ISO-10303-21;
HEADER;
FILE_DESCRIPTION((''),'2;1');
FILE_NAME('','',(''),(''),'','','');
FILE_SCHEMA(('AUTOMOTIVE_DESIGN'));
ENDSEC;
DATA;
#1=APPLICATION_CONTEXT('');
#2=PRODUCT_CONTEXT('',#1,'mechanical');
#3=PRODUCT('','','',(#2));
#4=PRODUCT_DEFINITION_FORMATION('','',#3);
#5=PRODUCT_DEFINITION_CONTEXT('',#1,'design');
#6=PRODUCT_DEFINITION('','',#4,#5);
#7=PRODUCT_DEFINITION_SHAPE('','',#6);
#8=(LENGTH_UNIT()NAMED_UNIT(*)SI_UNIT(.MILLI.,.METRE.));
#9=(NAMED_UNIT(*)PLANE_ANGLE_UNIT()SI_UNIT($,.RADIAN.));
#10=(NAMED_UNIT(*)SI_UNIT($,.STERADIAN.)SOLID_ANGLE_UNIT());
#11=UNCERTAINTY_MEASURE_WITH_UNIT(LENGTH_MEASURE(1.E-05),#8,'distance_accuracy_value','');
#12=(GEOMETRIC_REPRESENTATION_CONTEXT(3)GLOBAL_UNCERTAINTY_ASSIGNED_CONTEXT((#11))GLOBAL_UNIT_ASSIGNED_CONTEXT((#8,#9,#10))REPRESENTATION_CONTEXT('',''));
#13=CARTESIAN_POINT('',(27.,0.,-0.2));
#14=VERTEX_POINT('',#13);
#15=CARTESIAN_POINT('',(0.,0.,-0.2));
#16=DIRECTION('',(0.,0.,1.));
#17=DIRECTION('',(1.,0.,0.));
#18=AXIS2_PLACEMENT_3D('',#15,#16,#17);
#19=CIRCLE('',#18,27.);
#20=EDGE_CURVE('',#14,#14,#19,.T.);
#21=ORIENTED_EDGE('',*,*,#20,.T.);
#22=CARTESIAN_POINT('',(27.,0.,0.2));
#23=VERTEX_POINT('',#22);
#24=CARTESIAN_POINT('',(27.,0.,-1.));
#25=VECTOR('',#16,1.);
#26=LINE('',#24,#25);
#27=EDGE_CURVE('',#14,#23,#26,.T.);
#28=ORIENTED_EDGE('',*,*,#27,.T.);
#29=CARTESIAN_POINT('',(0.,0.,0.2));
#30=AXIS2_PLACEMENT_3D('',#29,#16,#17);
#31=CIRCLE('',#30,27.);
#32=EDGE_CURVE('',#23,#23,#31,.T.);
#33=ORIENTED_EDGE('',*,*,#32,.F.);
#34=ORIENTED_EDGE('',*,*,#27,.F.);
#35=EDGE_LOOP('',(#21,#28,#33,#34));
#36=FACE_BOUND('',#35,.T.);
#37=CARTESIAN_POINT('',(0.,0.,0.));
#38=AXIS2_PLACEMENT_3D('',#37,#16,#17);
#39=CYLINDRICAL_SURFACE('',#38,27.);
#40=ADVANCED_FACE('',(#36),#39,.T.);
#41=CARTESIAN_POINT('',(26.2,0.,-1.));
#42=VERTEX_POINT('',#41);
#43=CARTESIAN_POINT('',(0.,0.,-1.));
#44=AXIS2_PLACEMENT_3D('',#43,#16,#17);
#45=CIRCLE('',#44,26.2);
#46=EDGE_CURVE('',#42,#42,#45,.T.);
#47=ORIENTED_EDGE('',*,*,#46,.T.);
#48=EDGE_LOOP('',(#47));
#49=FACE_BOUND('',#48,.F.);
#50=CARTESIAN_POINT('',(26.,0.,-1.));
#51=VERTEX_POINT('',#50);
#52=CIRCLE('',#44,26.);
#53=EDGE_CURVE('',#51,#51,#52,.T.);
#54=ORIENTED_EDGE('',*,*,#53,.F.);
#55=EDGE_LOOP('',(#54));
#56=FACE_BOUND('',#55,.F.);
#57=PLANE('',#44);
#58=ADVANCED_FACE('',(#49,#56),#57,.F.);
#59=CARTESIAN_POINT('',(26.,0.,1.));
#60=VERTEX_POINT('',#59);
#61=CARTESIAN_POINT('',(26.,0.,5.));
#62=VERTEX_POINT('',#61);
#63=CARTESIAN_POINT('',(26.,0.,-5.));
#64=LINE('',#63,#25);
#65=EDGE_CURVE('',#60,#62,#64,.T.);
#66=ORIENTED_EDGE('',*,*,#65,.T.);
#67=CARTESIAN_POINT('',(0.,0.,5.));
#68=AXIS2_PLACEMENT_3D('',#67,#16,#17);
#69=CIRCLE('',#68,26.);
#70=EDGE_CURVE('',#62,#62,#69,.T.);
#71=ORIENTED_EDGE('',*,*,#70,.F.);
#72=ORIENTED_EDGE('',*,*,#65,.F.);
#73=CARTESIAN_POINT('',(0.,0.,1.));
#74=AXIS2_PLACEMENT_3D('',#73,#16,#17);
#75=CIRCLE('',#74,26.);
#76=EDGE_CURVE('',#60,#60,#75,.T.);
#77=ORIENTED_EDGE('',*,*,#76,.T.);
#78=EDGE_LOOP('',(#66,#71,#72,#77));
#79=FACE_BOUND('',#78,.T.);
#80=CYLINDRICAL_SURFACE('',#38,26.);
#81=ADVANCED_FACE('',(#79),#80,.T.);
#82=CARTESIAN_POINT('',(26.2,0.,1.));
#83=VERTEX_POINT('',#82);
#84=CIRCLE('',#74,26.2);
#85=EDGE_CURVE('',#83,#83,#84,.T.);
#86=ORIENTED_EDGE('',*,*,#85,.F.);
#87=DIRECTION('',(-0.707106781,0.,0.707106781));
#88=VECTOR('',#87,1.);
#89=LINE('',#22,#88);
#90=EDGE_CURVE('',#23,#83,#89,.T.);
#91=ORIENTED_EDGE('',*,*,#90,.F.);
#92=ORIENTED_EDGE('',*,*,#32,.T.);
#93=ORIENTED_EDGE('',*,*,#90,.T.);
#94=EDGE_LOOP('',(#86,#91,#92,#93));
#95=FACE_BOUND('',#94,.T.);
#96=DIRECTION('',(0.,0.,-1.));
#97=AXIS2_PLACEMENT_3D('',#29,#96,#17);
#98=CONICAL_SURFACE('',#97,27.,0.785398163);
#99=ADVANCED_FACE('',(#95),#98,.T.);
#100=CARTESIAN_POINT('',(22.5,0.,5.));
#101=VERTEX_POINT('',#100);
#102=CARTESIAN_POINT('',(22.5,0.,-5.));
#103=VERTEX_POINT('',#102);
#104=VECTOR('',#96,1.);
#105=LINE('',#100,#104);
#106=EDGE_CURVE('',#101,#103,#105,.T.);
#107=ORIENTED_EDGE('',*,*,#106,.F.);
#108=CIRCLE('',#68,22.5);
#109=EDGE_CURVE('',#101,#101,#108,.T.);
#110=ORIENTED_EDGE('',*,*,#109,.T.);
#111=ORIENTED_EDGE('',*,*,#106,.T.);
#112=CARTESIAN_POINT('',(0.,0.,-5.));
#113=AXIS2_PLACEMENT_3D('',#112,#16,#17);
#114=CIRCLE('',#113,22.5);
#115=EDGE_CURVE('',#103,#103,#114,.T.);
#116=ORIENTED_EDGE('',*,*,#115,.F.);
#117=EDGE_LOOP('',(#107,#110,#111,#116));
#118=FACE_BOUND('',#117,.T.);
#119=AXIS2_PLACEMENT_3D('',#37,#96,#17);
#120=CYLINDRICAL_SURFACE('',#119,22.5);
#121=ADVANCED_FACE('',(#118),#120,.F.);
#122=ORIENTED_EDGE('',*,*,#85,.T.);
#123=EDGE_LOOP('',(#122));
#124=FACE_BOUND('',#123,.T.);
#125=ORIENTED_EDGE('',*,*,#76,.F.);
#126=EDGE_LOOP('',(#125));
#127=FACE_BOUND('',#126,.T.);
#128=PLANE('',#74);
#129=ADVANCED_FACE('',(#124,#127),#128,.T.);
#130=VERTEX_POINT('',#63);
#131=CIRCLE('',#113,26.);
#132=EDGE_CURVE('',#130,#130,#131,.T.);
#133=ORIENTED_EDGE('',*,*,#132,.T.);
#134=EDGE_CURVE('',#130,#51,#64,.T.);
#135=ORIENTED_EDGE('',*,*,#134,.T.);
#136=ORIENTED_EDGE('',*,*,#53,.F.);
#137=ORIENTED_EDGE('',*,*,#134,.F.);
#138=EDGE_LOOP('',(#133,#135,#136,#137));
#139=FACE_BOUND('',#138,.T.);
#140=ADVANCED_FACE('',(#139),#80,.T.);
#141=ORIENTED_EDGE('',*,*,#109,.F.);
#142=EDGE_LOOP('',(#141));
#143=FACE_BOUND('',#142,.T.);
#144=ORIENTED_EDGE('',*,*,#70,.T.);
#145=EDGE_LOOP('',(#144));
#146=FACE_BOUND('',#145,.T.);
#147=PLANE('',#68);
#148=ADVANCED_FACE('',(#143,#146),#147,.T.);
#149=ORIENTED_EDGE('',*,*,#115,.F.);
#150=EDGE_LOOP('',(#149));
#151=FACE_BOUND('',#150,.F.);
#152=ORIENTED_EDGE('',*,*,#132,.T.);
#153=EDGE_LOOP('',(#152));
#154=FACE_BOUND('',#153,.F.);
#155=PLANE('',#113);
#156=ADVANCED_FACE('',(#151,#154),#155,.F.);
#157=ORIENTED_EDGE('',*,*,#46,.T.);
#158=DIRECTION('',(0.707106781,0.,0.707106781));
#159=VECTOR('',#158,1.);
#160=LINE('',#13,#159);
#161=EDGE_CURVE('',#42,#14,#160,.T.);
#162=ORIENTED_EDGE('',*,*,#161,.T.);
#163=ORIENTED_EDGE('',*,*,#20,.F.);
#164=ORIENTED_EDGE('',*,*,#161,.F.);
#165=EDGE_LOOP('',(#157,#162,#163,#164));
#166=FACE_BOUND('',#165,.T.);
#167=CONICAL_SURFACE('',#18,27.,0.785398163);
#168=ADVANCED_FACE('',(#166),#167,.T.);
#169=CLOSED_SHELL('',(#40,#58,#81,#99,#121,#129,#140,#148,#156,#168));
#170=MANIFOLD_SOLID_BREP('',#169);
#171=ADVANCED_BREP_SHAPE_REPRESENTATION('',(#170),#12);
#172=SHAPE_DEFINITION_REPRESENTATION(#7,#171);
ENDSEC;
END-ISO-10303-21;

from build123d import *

# Parameters (mm, degrees)
F0_R     = 27
F0_R_2   = 26
F1_DEPTH = 1
F0_R_3   = 22.5
F2_DEPTH = 5
F3_SIZE  = 0.8


with BuildPart() as f1:
    # F0 (on Top) → F1 (new body, symmetric)
    with BuildSketch(Plane.XY):
        Circle(F0_R)
        Circle(F0_R_2, mode=Mode.SUBTRACT)
    extrude(amount=F1_DEPTH, both=True)

    # F0 (on Top) → F2 (join, symmetric)
    with BuildSketch(Plane.XY):
        Circle(F0_R_2)
        Circle(F0_R_3, mode=Mode.SUBTRACT)
    extrude(amount=F2_DEPTH, both=True)

    # F3
    f3_edges = [f1.edges().sort_by_distance(p)[0] for p in [
        (-27, 0, 1),
        (-27, 0, -1),
    ]]
    chamfer(f3_edges, length=F3_SIZE)


solid = f1.part
